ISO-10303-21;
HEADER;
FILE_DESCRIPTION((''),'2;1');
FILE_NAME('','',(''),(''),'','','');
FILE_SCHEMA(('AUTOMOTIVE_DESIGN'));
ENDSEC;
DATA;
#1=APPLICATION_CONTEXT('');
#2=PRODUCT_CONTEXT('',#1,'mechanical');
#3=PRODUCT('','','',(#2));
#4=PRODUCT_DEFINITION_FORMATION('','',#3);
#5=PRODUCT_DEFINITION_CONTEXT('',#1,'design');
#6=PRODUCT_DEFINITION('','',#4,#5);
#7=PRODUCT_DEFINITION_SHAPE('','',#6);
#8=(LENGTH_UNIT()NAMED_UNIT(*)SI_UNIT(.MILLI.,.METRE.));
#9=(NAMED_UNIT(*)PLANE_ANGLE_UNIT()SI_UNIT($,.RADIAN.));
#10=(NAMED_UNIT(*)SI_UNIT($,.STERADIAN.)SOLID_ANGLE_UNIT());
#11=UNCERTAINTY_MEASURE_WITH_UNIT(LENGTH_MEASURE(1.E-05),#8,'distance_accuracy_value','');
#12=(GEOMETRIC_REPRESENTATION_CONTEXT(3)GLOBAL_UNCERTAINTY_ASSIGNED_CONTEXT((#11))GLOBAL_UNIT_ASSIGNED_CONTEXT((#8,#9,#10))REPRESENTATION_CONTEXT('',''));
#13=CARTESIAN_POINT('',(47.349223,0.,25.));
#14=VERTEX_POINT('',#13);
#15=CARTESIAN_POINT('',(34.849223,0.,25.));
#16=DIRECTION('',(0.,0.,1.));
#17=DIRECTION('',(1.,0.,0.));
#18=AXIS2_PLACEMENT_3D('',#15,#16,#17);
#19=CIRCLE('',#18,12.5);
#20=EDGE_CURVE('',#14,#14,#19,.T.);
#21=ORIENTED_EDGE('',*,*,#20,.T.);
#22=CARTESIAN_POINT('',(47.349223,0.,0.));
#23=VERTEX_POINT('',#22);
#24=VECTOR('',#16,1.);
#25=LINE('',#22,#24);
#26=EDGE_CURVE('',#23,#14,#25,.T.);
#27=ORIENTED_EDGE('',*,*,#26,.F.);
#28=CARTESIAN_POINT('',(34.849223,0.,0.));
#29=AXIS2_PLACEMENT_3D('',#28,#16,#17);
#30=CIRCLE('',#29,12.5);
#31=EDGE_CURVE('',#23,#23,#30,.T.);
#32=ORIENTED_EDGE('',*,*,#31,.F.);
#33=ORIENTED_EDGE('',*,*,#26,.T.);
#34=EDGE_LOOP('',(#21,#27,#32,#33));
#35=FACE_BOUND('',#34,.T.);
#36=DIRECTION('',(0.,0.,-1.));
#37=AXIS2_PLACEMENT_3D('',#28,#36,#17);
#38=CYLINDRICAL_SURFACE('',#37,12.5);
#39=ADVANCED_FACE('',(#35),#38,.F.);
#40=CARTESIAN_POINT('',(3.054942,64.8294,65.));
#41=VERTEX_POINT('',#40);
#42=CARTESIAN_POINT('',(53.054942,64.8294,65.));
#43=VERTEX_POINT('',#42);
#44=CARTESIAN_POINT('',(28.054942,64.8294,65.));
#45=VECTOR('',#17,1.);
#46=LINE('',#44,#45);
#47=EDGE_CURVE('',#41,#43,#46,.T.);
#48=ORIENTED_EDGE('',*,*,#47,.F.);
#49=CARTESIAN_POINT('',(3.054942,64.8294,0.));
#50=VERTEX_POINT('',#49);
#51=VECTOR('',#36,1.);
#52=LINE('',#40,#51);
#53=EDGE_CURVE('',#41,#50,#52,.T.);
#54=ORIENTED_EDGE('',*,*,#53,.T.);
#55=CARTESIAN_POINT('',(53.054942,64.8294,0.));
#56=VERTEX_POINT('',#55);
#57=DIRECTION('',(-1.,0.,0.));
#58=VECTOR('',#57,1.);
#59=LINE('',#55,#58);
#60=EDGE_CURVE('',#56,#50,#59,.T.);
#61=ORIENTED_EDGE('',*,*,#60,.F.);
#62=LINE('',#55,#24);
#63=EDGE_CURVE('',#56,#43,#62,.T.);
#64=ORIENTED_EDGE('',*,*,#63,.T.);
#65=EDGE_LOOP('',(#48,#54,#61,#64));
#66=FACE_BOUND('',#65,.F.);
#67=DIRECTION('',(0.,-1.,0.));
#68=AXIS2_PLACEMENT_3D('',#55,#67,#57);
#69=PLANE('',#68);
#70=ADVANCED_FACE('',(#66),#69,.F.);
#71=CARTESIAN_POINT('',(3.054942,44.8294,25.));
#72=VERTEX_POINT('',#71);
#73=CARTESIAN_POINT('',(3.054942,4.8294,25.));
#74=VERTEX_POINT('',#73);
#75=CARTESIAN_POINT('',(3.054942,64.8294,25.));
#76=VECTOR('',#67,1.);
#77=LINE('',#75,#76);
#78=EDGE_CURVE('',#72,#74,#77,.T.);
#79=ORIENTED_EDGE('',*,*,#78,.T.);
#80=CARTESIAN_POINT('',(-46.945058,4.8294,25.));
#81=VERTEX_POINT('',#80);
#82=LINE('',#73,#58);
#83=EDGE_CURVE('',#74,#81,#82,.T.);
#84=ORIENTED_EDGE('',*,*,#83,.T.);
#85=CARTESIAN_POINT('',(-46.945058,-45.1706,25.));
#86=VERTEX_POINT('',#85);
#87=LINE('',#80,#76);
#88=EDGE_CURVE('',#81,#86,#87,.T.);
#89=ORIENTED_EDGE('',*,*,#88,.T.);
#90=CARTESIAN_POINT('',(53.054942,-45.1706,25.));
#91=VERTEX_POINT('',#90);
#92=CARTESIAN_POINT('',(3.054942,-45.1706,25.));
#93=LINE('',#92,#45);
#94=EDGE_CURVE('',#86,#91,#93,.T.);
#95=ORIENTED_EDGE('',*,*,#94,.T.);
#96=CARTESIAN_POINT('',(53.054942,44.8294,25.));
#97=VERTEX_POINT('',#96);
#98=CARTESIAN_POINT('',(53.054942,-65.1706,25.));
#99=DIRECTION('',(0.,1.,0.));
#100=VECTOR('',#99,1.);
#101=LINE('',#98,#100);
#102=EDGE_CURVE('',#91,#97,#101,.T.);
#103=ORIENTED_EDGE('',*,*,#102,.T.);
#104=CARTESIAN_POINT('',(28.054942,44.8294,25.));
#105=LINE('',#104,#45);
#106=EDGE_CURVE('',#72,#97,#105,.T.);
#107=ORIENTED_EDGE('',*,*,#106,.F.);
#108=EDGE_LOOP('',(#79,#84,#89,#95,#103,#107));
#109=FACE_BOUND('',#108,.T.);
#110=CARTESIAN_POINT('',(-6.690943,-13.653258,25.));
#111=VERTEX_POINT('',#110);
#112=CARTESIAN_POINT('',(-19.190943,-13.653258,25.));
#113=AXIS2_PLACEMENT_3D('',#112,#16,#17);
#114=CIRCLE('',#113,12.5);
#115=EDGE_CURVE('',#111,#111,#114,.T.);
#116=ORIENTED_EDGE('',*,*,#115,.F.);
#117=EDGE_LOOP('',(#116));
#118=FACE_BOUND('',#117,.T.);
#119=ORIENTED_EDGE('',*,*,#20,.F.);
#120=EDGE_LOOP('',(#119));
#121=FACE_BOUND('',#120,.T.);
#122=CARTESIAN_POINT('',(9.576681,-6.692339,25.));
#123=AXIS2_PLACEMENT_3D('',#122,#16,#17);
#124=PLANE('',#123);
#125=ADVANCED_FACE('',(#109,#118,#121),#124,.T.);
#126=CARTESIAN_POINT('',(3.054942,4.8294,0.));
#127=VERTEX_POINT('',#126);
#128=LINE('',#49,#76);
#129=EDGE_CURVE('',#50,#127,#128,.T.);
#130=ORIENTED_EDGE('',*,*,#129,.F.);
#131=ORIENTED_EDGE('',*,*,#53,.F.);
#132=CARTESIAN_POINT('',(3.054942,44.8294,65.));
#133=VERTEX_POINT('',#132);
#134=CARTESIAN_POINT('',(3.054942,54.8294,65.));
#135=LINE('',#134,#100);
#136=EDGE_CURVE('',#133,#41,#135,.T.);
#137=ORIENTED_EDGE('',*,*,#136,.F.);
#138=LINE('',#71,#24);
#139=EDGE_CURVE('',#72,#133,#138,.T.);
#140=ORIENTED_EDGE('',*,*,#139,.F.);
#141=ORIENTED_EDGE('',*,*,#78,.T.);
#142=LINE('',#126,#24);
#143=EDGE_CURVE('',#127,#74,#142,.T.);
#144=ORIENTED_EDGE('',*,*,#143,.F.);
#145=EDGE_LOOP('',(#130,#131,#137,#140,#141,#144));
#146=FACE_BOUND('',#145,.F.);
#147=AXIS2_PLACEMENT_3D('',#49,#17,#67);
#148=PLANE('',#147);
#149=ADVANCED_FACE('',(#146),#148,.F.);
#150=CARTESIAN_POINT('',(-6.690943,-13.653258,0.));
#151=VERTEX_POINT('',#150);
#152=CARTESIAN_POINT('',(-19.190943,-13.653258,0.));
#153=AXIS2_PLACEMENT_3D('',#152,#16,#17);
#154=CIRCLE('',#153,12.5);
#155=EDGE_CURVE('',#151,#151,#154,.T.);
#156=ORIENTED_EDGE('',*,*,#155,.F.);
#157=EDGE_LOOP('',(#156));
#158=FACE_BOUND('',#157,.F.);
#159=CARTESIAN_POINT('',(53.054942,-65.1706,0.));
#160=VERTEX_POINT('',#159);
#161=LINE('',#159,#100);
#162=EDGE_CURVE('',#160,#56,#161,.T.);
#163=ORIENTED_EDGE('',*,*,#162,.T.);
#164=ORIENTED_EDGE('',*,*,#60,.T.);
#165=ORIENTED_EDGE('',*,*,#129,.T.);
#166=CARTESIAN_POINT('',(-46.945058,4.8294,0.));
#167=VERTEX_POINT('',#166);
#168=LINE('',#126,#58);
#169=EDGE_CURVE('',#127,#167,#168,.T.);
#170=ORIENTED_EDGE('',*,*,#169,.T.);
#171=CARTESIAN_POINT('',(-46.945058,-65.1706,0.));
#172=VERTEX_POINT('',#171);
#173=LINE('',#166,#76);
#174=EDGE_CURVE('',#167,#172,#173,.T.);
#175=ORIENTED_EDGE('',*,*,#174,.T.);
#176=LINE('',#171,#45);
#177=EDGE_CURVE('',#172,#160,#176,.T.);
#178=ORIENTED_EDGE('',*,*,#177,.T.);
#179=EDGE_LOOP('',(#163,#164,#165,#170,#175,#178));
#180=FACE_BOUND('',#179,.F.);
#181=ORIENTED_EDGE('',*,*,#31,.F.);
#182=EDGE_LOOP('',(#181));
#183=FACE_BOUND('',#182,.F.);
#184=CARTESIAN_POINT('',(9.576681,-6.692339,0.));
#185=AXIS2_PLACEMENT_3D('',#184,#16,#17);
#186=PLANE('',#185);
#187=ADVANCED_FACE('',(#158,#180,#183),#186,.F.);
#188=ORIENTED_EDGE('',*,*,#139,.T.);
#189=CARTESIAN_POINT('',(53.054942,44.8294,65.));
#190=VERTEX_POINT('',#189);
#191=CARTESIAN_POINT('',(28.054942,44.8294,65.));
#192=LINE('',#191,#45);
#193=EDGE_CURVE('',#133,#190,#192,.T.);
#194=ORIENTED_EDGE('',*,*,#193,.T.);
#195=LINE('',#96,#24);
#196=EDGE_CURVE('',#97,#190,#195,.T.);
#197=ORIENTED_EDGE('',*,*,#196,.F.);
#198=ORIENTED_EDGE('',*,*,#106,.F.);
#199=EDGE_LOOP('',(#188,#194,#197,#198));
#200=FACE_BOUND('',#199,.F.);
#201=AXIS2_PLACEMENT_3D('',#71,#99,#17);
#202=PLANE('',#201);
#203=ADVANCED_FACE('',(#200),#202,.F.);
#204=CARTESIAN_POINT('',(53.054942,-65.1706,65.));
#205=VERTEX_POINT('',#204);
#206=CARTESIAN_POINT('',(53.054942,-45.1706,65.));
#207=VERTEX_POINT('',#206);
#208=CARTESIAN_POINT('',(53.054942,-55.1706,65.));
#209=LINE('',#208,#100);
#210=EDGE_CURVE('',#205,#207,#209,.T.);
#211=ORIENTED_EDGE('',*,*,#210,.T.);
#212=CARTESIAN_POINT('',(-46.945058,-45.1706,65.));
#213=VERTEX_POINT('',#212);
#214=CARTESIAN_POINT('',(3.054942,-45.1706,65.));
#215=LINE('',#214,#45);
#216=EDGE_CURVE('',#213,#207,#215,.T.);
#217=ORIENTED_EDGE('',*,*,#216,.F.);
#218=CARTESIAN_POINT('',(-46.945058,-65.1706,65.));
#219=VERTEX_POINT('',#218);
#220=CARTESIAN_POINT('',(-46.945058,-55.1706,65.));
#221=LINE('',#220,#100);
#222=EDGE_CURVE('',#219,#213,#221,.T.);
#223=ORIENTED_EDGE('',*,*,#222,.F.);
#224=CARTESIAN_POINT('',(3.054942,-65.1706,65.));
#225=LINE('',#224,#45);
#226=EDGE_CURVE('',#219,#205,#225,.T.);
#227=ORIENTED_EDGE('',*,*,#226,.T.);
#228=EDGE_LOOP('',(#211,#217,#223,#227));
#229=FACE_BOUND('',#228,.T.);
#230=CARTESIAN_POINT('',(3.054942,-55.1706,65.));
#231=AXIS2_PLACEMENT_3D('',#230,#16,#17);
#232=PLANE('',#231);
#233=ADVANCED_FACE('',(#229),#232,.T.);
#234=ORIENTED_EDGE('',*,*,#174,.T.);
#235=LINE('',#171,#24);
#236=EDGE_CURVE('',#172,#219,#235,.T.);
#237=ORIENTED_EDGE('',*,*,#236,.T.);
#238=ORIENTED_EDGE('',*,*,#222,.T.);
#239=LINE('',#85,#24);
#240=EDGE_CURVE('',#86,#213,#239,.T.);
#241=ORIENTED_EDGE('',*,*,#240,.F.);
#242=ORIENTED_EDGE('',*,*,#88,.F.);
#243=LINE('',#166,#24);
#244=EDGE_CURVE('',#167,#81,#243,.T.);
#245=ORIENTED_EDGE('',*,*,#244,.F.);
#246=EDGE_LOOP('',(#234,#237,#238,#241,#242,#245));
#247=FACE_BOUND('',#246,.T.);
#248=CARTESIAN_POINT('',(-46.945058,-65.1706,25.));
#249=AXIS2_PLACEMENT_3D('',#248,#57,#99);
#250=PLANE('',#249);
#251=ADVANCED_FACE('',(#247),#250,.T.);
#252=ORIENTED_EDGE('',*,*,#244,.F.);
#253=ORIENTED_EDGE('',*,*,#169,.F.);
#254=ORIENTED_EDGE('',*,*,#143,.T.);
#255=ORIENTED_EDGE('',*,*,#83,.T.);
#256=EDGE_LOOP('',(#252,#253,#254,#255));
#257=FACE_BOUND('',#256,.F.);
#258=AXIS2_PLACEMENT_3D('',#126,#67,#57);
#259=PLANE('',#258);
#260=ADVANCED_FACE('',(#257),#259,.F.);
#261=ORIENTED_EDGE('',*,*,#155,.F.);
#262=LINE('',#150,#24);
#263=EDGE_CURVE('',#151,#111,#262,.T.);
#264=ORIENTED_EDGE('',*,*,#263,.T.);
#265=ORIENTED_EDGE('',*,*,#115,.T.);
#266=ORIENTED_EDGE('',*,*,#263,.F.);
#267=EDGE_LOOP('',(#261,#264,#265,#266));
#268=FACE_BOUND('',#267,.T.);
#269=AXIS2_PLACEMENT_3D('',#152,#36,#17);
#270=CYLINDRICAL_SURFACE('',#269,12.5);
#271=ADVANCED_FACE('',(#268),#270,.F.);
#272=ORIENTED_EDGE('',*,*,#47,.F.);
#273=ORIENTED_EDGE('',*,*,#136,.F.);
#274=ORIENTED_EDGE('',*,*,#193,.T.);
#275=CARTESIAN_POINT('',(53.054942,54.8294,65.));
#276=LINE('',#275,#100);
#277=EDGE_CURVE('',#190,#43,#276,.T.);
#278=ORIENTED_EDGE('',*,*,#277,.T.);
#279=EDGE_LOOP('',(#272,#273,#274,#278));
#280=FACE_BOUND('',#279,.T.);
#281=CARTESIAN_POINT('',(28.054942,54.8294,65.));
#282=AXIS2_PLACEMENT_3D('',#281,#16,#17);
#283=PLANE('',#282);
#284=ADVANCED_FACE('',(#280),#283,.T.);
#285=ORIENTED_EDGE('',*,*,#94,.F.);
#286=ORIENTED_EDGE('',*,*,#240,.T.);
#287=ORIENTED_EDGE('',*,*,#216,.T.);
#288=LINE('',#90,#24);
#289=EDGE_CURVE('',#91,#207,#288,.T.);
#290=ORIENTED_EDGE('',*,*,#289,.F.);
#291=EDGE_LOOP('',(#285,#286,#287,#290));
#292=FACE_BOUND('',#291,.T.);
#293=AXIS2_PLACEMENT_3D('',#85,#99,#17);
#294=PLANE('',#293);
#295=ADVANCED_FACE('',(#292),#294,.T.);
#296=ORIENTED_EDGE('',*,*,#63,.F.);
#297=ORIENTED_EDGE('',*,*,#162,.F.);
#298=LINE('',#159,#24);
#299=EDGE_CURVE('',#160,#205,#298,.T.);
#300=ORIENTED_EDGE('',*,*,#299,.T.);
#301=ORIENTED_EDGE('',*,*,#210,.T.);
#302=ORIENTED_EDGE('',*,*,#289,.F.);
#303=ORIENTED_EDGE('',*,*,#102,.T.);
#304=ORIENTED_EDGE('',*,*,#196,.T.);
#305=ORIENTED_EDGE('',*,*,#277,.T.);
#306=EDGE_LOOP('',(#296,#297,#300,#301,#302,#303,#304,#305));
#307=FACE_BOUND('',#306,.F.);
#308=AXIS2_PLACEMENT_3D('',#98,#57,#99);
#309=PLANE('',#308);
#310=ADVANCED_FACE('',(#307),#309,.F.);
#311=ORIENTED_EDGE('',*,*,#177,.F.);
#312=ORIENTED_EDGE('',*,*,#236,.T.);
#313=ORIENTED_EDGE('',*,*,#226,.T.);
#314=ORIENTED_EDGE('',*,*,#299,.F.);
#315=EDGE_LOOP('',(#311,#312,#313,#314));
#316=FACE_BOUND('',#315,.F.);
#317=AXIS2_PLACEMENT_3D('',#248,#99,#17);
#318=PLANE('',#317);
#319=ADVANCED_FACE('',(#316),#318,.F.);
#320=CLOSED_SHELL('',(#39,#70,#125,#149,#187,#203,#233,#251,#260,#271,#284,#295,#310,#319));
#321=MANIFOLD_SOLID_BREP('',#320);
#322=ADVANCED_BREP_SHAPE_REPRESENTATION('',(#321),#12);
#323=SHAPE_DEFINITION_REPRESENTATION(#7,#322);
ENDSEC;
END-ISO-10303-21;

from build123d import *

# Parameters (mm, degrees)
F0_R     = 12.5
F1_DEPTH = 25
F2_W     = 100
F2_H     = 20
F2_W_2   = 50
F3_DEPTH = 40


with BuildPart() as f1:
    # F0 (on Top) → F1 (new body)
    with BuildSketch(Plane.XY):
        Polygon((-46.945058, -65.1706), (53.054942, -65.1706), (53.054942, 4.8294), (53.054942, 64.8294), (3.054942, 64.8294), (3.054942, 4.8294), (-46.945058, 4.8294), align=None)
        with Locations((-19.190943, -13.653258)):
            Circle(F0_R, mode=Mode.SUBTRACT)
        with Locations((34.849223, 0)):
            Circle(F0_R, mode=Mode.SUBTRACT)
    extrude(amount=F1_DEPTH)

    # F2 (on face) → F3 (join)
    with BuildSketch(Plane.XY.offset(25)):
        with Locations((3.054942, -55.1706)):
            Rectangle(F2_W, F2_H)
        with Locations((28.054942, 54.8294)):
            Rectangle(F2_W_2, F2_H)
    extrude(amount=F3_DEPTH)


solid = f1.part
